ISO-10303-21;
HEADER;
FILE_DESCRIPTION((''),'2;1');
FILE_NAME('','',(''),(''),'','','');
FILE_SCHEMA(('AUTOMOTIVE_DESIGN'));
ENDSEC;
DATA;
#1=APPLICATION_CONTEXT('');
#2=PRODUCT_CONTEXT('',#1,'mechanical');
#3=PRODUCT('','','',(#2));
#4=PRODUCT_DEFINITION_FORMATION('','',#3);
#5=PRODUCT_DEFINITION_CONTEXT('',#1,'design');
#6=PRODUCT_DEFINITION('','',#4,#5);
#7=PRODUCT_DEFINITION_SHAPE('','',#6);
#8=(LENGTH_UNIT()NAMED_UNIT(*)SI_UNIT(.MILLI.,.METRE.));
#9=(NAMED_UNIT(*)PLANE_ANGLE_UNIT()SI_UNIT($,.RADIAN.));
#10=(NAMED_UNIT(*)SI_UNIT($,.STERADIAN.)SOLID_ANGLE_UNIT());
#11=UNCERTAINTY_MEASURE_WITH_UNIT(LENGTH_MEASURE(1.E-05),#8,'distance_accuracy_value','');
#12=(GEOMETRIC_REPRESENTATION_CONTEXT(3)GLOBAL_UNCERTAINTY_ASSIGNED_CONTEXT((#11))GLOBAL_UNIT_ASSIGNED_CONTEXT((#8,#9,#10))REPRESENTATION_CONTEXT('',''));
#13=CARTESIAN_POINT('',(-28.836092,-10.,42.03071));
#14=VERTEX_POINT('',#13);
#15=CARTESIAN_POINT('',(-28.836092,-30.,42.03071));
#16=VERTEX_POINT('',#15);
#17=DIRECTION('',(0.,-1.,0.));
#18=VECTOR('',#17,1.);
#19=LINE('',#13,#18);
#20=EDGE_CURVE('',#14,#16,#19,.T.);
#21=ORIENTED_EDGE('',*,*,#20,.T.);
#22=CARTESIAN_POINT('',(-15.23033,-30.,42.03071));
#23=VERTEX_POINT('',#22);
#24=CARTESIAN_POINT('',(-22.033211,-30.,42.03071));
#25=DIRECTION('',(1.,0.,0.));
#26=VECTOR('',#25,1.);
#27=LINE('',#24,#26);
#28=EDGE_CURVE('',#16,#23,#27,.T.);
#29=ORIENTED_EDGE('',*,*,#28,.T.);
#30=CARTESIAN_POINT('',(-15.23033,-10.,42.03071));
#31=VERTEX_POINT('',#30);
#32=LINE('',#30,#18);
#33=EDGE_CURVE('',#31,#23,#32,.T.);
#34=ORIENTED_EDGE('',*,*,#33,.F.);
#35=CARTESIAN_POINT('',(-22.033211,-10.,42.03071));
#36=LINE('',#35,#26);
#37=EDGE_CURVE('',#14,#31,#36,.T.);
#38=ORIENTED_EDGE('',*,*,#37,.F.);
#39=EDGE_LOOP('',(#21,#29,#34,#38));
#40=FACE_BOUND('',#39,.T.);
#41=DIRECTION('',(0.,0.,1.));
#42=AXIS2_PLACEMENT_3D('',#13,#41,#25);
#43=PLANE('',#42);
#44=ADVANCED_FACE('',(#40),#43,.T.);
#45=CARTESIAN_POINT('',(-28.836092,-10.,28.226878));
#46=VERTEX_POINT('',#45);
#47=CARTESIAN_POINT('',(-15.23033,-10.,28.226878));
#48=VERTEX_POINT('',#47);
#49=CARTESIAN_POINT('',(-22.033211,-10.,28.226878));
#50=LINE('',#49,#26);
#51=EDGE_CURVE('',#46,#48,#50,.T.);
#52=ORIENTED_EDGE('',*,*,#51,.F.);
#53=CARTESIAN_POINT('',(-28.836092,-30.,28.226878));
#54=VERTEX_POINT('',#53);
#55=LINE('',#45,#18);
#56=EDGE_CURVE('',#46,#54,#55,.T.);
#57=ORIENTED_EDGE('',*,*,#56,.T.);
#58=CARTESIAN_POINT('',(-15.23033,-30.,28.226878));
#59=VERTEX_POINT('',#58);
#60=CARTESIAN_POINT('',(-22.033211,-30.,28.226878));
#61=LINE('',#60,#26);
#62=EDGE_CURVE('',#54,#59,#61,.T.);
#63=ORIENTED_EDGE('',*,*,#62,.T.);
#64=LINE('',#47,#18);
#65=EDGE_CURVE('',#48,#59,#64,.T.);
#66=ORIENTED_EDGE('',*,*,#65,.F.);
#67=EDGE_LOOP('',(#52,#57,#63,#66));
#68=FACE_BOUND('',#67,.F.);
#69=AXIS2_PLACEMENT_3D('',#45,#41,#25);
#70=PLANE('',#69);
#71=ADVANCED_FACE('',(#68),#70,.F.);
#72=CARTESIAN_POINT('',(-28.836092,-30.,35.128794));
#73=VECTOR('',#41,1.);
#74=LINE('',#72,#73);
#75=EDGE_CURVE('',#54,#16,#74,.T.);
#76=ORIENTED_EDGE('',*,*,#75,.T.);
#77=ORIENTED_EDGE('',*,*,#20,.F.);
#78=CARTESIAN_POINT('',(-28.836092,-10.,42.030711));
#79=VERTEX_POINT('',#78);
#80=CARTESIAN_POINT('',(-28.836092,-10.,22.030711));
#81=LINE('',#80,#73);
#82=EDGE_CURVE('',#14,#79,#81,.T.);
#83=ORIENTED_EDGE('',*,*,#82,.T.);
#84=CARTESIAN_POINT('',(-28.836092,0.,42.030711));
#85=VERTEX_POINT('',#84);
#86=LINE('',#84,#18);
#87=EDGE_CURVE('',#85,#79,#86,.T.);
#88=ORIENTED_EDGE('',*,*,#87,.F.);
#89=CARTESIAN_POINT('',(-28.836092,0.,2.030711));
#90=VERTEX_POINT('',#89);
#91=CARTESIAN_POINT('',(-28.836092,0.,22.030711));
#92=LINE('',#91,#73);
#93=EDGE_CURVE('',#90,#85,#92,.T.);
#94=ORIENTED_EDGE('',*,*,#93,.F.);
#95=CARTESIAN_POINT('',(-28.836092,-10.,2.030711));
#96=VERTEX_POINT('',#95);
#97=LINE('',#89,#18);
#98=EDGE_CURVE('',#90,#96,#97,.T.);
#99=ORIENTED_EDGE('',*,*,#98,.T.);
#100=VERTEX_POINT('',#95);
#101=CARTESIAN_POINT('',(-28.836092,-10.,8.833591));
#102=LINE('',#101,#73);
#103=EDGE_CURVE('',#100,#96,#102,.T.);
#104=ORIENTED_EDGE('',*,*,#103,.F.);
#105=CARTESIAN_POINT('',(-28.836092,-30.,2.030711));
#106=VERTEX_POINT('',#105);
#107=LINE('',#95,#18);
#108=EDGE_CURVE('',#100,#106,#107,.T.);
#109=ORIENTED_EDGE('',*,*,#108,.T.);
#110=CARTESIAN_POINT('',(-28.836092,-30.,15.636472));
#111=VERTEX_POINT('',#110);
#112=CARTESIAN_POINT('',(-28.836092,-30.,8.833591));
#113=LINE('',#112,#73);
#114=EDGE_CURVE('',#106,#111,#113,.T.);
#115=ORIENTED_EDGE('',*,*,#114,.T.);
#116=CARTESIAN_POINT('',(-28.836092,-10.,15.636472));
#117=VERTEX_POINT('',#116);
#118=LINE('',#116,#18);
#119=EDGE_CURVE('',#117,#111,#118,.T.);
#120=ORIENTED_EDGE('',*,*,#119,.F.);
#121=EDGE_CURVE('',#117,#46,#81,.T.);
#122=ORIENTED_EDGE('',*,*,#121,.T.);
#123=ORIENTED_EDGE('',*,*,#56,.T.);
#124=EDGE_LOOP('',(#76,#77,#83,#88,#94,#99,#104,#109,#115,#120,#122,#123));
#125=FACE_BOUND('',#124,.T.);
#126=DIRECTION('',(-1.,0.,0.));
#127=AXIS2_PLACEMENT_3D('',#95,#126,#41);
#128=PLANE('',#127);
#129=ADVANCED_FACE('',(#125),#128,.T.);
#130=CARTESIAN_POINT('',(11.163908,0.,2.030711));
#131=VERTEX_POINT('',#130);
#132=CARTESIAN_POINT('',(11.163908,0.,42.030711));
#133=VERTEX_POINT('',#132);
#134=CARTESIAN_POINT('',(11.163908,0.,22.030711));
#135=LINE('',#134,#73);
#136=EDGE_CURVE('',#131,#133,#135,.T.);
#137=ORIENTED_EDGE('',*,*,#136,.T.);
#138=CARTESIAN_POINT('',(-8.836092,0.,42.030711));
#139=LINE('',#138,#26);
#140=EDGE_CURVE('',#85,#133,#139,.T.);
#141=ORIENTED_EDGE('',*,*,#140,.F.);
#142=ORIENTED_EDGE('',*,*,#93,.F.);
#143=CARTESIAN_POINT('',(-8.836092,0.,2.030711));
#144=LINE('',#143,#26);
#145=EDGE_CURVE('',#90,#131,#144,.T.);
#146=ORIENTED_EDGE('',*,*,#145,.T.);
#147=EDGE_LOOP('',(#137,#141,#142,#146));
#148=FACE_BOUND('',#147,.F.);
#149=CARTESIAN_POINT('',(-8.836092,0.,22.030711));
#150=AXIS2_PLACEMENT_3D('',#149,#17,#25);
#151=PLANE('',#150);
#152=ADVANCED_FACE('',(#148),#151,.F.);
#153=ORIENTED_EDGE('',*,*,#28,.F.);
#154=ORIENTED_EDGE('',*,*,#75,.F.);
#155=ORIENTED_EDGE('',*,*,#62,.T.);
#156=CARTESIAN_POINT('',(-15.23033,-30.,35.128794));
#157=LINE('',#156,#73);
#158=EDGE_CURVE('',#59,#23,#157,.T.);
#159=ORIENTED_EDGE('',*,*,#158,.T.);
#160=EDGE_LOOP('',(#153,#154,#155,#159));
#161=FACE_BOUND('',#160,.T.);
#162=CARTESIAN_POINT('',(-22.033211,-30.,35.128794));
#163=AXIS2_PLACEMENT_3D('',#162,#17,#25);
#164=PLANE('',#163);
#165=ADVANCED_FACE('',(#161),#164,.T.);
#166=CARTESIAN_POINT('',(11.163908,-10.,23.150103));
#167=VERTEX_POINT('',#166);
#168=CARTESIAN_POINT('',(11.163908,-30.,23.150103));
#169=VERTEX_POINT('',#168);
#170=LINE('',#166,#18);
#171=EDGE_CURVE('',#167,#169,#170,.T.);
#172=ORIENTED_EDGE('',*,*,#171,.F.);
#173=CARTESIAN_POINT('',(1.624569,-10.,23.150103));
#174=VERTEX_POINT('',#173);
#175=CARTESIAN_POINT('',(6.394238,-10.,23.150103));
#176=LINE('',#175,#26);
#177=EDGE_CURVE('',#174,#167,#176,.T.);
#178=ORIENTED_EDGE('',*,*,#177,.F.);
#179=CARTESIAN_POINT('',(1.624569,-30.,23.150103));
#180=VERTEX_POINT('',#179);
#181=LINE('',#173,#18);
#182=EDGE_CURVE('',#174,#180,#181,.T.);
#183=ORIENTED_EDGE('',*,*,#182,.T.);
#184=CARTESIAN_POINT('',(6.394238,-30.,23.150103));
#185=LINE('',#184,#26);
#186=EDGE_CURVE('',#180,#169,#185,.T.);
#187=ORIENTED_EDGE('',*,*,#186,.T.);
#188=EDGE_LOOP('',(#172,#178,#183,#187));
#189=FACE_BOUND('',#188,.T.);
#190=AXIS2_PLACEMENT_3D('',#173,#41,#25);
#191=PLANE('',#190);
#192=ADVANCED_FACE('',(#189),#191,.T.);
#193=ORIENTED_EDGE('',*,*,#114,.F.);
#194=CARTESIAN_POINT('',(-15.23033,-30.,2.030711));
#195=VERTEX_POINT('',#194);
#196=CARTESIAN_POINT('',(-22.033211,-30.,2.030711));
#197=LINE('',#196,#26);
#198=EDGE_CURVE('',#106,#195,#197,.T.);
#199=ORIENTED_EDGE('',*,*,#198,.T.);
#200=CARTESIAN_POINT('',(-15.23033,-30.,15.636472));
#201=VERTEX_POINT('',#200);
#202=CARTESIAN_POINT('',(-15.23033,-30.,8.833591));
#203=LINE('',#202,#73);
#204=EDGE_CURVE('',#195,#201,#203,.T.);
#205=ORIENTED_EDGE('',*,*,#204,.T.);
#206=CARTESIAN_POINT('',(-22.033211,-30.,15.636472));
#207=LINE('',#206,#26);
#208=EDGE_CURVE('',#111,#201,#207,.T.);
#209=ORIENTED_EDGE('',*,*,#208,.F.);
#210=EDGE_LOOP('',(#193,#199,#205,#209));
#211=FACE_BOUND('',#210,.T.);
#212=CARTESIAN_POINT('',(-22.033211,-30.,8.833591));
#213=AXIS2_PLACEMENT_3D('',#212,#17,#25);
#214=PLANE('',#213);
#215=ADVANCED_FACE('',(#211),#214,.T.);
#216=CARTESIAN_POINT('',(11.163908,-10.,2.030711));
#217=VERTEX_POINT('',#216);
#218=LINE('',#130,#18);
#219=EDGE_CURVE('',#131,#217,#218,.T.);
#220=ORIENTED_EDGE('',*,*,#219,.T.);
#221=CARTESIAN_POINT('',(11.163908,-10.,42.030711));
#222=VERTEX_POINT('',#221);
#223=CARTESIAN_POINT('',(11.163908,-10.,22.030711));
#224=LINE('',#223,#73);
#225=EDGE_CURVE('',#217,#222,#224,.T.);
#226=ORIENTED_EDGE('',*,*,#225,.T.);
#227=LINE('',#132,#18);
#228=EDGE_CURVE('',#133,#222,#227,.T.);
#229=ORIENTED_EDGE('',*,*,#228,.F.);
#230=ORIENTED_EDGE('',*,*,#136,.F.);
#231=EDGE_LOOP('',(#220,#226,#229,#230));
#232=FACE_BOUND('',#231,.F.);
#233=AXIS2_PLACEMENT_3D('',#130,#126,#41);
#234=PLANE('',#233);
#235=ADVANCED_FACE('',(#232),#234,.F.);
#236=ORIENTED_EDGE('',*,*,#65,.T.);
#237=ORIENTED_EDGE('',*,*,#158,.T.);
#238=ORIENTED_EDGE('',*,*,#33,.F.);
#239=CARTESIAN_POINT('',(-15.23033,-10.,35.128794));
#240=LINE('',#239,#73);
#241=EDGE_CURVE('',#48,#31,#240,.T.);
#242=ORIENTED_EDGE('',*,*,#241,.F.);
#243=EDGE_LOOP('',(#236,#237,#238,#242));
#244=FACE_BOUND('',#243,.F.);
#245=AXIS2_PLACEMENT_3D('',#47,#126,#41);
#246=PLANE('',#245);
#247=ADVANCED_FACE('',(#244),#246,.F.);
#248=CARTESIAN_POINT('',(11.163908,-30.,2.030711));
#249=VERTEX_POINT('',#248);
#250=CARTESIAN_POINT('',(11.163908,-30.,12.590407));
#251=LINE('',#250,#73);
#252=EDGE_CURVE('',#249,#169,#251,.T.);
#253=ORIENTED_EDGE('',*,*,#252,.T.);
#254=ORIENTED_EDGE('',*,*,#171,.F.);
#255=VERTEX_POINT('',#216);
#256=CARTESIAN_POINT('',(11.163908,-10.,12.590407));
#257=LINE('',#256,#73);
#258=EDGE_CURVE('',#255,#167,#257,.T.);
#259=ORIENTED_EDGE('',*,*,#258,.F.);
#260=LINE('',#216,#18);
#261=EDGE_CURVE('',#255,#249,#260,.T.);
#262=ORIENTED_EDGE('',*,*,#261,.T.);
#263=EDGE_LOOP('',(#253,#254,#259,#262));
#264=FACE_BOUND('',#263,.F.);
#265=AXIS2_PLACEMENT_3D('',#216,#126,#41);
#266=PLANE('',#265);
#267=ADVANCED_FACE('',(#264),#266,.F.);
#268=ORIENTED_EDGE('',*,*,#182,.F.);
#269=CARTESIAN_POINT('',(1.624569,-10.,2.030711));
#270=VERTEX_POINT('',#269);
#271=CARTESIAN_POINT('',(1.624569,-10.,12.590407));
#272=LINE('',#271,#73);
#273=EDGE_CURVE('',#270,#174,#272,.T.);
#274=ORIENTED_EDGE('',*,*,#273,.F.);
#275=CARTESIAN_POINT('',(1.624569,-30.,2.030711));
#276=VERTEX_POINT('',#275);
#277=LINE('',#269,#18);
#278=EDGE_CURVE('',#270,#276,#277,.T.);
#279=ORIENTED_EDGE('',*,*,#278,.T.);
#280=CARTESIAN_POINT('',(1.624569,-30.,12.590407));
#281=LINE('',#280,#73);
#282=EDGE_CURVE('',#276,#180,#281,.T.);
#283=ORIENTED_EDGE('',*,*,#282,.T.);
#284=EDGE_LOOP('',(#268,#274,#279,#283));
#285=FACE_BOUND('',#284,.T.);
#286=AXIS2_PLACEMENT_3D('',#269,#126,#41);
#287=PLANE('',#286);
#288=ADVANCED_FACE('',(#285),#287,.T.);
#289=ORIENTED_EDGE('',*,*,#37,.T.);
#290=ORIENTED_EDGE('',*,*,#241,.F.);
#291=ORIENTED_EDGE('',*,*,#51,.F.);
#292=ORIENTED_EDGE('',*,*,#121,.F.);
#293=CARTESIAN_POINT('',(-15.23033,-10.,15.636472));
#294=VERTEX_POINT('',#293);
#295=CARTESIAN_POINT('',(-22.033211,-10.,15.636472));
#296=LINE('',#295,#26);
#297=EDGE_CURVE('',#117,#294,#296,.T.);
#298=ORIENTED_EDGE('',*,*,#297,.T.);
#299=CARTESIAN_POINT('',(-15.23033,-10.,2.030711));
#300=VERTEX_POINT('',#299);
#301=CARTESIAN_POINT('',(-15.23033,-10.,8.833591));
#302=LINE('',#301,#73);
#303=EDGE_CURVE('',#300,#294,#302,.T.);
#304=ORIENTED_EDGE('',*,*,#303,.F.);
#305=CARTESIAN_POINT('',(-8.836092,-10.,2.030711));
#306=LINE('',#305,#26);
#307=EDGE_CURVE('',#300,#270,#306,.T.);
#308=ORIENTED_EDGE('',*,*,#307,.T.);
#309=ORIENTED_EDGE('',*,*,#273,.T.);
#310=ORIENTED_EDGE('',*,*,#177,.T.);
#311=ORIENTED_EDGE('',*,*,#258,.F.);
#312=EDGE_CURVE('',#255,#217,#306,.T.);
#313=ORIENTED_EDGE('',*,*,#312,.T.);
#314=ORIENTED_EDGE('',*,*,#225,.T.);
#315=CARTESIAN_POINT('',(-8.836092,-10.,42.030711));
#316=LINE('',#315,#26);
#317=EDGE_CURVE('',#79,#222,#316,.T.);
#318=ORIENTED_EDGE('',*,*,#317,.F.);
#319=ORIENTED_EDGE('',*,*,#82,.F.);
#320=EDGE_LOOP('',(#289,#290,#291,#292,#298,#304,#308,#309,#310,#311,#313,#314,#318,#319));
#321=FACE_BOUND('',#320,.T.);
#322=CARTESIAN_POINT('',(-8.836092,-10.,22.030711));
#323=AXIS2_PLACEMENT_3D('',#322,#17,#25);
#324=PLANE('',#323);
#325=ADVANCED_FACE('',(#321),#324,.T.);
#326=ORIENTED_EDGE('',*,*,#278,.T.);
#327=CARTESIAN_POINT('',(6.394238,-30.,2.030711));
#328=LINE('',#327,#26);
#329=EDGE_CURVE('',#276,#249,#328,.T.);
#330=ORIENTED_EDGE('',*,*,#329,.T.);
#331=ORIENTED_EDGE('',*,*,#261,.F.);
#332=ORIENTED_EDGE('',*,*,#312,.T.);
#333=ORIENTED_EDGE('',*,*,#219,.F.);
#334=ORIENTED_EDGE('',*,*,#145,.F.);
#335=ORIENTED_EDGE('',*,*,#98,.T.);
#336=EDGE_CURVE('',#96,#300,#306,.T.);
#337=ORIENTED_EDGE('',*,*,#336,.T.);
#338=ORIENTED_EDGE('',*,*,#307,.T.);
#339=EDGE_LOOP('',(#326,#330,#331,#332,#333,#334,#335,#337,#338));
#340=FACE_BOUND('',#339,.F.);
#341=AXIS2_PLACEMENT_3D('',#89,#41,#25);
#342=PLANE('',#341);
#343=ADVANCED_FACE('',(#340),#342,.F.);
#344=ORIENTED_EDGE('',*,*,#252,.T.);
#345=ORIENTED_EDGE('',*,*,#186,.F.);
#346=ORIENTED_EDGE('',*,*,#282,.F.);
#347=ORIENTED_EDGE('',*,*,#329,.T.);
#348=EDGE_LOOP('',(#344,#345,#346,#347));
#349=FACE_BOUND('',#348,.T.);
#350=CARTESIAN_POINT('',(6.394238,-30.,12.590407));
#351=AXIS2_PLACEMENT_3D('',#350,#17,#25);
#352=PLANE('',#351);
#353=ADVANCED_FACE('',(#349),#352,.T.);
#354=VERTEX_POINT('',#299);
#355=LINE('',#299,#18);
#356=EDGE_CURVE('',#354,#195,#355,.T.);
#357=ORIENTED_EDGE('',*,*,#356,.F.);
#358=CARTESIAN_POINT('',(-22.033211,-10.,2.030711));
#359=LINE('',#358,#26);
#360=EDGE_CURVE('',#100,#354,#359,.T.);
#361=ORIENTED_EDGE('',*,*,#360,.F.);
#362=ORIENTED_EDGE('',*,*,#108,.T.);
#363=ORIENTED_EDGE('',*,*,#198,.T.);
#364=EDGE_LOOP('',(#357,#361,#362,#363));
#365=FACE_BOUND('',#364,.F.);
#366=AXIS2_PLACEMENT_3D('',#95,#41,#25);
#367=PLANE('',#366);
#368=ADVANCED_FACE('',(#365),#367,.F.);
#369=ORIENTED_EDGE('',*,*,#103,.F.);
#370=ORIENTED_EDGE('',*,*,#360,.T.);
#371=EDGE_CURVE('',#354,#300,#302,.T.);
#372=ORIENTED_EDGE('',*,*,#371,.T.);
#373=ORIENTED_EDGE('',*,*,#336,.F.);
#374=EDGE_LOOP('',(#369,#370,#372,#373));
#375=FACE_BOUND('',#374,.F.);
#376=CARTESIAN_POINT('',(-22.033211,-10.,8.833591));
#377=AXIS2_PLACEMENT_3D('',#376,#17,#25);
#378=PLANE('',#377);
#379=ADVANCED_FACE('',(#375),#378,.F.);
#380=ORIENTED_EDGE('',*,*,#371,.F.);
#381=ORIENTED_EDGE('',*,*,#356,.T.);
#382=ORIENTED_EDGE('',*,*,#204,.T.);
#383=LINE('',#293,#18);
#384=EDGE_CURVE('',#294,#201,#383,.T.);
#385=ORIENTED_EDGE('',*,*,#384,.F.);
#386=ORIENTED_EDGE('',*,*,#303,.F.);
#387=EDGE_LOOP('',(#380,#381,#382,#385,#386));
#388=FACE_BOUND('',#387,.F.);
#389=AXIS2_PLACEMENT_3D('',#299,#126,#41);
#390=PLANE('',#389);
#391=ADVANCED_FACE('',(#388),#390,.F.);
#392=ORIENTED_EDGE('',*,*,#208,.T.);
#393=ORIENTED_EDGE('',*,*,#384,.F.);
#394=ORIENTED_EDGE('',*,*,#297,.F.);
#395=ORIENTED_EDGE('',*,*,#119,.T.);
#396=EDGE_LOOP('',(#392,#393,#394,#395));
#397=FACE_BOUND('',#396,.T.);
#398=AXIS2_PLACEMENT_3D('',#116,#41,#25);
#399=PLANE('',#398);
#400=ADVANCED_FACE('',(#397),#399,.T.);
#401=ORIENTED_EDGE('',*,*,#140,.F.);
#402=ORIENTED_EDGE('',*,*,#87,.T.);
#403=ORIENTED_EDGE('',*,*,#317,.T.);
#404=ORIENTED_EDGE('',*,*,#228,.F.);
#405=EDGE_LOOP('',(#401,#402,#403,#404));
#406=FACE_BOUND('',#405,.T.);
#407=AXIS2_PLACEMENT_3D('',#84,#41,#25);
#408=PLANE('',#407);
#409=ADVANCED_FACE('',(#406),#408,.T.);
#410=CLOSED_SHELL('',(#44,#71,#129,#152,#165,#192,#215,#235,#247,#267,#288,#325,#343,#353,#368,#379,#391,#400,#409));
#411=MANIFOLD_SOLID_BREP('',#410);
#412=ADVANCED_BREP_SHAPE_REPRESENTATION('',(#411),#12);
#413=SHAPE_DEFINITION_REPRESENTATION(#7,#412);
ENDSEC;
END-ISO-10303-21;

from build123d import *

# Parameters (mm, degrees)
F0_W     = 40
F0_H     = 40
F1_DEPTH = 10
F2_W     = 13.605762
F2_H     = 13.803833
F2_H_2   = 13.605761
F2_W_2   = 9.539339
F2_H_3   = 21.119392
F3_DEPTH = 20


with BuildPart() as f1:
    # F0 (on Front) → F1 (new body)
    with BuildSketch(Plane.XZ):
        with Locations((-8.836092, 22.030711)):
            Rectangle(F0_W, F0_H)
    extrude(amount=F1_DEPTH)

    # F2 (on face) → F3 (join)
    with BuildSketch(Plane.XZ.offset(10)):
        with Locations((-22.033211, 35.128794)):
            Rectangle(F2_W, F2_H)
        with Locations((-22.033211, 8.833591)):
            Rectangle(F2_W, F2_H_2)
        with Locations((6.394238, 12.590407)):
            Rectangle(F2_W_2, F2_H_3)
    extrude(amount=F3_DEPTH)


solid = f1.part
